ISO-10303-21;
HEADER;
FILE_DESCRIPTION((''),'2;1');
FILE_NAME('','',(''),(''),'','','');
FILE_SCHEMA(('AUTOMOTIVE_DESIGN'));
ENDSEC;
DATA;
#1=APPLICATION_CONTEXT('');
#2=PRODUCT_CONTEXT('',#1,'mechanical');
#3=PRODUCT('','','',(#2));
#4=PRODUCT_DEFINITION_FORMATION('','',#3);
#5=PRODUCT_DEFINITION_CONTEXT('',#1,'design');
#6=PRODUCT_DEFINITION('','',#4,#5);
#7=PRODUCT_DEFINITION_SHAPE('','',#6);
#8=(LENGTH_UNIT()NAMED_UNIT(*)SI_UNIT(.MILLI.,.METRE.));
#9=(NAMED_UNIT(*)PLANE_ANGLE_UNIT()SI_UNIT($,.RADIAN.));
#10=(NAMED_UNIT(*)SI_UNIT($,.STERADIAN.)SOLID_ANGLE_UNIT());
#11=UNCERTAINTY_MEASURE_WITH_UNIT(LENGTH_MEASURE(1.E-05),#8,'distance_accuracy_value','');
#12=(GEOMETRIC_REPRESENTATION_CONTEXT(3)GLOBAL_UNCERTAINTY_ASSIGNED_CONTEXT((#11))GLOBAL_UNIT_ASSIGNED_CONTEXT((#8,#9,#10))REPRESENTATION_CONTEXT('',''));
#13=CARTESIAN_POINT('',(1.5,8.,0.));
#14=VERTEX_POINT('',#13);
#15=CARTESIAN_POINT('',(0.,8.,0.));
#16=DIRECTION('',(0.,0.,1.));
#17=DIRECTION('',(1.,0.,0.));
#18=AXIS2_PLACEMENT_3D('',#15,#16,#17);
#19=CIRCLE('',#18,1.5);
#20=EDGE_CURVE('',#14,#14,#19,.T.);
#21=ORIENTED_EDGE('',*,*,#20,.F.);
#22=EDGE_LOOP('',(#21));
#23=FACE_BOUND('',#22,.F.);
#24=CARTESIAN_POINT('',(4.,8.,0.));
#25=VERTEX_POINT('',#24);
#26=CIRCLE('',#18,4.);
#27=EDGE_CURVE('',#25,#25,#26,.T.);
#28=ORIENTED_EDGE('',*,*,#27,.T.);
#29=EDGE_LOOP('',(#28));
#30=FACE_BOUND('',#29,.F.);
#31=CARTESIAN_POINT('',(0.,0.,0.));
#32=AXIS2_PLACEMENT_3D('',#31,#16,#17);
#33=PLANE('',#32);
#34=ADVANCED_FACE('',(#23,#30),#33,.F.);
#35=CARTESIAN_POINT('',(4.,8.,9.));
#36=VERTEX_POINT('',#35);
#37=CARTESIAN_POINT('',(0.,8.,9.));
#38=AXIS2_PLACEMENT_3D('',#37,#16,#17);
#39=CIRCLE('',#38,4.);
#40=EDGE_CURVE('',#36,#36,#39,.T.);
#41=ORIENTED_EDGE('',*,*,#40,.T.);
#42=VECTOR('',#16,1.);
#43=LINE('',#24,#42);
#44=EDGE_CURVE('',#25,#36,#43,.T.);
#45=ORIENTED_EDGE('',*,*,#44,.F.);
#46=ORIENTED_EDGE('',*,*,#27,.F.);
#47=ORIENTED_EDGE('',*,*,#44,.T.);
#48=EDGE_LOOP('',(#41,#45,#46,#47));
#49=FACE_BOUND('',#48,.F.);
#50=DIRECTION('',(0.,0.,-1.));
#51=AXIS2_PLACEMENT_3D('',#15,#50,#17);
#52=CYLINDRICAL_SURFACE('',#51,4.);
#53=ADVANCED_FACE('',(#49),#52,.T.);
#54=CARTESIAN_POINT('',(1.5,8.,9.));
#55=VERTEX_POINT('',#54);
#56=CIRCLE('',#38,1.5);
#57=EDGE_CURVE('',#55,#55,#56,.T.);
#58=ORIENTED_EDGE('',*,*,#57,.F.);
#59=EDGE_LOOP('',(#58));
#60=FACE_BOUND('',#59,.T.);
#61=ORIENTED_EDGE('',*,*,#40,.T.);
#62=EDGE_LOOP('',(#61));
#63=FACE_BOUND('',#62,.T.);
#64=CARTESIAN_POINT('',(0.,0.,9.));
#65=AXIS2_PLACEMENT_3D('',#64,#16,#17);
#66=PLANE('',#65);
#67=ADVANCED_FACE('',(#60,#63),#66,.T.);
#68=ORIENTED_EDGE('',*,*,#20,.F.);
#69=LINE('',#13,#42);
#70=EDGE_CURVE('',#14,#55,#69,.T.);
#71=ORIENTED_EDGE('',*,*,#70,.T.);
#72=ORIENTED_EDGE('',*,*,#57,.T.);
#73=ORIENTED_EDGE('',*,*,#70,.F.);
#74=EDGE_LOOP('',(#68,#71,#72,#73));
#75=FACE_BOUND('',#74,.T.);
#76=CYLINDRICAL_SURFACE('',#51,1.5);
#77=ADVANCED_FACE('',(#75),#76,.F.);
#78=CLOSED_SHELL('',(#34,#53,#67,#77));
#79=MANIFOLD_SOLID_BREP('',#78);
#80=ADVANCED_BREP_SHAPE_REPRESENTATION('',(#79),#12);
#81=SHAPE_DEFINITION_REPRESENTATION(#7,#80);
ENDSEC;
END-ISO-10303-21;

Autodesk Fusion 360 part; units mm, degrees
sketch "Boceto1" plane through (0, 0, 0) normal (0, 0, 1) x (1, 0, 0)
  circle A0 centre (0, 8) radius 1.5
  circle A1 centre (0, 8) radius 4
  dimension "d1" = 3
  dimension "d2" = 8
extrude "Extruir1" add sketch "Boceto1" along normal blind 9
